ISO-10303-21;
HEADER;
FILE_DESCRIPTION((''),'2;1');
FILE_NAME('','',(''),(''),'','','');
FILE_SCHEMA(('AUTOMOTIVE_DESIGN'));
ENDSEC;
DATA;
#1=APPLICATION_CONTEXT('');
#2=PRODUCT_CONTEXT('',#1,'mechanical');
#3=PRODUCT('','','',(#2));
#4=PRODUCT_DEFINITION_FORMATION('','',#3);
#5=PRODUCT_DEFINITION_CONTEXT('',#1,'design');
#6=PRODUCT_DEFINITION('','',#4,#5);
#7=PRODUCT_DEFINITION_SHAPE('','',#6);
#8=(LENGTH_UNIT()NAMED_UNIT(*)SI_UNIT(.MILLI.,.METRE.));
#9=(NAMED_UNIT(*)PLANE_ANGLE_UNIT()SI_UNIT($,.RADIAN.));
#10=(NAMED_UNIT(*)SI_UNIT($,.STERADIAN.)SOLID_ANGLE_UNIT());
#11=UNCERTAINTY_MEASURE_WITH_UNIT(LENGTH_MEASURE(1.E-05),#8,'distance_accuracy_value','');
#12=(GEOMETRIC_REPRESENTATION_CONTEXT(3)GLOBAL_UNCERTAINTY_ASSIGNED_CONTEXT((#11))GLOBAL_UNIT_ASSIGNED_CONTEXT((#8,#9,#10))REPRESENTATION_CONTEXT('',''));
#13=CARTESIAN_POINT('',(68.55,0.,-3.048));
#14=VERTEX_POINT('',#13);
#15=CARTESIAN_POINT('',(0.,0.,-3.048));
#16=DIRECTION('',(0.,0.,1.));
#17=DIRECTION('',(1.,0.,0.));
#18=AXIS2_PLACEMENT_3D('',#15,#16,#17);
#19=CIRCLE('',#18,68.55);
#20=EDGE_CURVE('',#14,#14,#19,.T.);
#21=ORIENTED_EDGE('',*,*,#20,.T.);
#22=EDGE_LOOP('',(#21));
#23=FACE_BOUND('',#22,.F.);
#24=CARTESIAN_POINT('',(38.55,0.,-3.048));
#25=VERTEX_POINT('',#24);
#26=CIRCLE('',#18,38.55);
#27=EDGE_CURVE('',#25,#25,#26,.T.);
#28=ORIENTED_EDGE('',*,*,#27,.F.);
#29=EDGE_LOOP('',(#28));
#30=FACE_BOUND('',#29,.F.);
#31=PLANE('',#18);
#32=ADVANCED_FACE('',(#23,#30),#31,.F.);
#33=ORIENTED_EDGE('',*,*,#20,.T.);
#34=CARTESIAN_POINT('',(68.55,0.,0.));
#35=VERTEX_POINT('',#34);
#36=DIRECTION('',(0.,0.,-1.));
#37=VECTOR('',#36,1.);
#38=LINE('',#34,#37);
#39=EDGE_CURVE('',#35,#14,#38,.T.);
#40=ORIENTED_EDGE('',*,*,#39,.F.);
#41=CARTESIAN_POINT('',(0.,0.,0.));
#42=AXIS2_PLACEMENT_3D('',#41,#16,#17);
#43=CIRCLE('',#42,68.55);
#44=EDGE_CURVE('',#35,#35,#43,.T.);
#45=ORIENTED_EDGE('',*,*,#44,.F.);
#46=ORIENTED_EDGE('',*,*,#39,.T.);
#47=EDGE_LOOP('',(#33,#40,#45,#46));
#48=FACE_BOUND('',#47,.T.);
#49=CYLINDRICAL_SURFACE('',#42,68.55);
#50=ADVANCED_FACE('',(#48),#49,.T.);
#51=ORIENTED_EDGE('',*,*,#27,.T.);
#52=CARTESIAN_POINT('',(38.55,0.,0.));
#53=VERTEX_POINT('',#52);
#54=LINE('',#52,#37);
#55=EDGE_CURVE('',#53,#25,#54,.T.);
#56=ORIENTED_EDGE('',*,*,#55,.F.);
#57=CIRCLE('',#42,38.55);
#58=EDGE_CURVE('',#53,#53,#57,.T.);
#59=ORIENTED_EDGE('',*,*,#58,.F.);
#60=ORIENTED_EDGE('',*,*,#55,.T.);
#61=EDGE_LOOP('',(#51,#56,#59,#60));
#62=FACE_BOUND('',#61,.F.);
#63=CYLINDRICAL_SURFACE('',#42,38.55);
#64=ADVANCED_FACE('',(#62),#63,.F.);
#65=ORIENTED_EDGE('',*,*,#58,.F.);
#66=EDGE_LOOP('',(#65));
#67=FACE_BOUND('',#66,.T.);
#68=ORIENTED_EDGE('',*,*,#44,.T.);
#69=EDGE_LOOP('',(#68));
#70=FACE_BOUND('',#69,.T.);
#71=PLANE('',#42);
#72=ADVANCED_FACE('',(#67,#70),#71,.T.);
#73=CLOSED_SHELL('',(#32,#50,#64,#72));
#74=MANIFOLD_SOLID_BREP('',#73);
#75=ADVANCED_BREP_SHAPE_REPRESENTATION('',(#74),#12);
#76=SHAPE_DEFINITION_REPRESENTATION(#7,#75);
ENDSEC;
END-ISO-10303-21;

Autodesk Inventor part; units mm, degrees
ref_plane "YZ Plane" through (0, 0, 0) normal (1, 0, 0) x (0, 1, 0)
ref_plane "XZ Plane" through (0, 0, 0) normal (0, 1, 0) x (-1, 0, 0)
ref_plane "XY Plane" through (0, 0, 0) normal (0, 0, 1) x (1, 0, 0)
sketch "Sketch1" plane through (0, 0, 0) normal (0, 0, 1) x (1, 0, 0)
  circle A0 centre (0, 0) radius 38.55
  circle A1 centre (0, 0) radius 68.55
  dimension "d0" = 77.1
  dimension "d1" = 137.1
extrude "Plate1" add sketch "Sketch1" against normal blind 3.048
equation "\"BendReliefWidth\" = Thickness"
equation "\"BendReliefDepth\" = 0.5 * Thickness"
equation "\"CornerReliefSize\" = 4 * Thickness"
equation "\"MinimumRemnant\" = 2 * Thickness"
equation "\"TransitionRadius\" = BendRadius"
equation "\"JacobiRadiusSize\" = BendRadius"
equation "\"GapSize\" = Thickness"
equation "\"BendRadius\" = Thickness"
properties part number "MSC 0391 flange" material "Stainless Steel"
